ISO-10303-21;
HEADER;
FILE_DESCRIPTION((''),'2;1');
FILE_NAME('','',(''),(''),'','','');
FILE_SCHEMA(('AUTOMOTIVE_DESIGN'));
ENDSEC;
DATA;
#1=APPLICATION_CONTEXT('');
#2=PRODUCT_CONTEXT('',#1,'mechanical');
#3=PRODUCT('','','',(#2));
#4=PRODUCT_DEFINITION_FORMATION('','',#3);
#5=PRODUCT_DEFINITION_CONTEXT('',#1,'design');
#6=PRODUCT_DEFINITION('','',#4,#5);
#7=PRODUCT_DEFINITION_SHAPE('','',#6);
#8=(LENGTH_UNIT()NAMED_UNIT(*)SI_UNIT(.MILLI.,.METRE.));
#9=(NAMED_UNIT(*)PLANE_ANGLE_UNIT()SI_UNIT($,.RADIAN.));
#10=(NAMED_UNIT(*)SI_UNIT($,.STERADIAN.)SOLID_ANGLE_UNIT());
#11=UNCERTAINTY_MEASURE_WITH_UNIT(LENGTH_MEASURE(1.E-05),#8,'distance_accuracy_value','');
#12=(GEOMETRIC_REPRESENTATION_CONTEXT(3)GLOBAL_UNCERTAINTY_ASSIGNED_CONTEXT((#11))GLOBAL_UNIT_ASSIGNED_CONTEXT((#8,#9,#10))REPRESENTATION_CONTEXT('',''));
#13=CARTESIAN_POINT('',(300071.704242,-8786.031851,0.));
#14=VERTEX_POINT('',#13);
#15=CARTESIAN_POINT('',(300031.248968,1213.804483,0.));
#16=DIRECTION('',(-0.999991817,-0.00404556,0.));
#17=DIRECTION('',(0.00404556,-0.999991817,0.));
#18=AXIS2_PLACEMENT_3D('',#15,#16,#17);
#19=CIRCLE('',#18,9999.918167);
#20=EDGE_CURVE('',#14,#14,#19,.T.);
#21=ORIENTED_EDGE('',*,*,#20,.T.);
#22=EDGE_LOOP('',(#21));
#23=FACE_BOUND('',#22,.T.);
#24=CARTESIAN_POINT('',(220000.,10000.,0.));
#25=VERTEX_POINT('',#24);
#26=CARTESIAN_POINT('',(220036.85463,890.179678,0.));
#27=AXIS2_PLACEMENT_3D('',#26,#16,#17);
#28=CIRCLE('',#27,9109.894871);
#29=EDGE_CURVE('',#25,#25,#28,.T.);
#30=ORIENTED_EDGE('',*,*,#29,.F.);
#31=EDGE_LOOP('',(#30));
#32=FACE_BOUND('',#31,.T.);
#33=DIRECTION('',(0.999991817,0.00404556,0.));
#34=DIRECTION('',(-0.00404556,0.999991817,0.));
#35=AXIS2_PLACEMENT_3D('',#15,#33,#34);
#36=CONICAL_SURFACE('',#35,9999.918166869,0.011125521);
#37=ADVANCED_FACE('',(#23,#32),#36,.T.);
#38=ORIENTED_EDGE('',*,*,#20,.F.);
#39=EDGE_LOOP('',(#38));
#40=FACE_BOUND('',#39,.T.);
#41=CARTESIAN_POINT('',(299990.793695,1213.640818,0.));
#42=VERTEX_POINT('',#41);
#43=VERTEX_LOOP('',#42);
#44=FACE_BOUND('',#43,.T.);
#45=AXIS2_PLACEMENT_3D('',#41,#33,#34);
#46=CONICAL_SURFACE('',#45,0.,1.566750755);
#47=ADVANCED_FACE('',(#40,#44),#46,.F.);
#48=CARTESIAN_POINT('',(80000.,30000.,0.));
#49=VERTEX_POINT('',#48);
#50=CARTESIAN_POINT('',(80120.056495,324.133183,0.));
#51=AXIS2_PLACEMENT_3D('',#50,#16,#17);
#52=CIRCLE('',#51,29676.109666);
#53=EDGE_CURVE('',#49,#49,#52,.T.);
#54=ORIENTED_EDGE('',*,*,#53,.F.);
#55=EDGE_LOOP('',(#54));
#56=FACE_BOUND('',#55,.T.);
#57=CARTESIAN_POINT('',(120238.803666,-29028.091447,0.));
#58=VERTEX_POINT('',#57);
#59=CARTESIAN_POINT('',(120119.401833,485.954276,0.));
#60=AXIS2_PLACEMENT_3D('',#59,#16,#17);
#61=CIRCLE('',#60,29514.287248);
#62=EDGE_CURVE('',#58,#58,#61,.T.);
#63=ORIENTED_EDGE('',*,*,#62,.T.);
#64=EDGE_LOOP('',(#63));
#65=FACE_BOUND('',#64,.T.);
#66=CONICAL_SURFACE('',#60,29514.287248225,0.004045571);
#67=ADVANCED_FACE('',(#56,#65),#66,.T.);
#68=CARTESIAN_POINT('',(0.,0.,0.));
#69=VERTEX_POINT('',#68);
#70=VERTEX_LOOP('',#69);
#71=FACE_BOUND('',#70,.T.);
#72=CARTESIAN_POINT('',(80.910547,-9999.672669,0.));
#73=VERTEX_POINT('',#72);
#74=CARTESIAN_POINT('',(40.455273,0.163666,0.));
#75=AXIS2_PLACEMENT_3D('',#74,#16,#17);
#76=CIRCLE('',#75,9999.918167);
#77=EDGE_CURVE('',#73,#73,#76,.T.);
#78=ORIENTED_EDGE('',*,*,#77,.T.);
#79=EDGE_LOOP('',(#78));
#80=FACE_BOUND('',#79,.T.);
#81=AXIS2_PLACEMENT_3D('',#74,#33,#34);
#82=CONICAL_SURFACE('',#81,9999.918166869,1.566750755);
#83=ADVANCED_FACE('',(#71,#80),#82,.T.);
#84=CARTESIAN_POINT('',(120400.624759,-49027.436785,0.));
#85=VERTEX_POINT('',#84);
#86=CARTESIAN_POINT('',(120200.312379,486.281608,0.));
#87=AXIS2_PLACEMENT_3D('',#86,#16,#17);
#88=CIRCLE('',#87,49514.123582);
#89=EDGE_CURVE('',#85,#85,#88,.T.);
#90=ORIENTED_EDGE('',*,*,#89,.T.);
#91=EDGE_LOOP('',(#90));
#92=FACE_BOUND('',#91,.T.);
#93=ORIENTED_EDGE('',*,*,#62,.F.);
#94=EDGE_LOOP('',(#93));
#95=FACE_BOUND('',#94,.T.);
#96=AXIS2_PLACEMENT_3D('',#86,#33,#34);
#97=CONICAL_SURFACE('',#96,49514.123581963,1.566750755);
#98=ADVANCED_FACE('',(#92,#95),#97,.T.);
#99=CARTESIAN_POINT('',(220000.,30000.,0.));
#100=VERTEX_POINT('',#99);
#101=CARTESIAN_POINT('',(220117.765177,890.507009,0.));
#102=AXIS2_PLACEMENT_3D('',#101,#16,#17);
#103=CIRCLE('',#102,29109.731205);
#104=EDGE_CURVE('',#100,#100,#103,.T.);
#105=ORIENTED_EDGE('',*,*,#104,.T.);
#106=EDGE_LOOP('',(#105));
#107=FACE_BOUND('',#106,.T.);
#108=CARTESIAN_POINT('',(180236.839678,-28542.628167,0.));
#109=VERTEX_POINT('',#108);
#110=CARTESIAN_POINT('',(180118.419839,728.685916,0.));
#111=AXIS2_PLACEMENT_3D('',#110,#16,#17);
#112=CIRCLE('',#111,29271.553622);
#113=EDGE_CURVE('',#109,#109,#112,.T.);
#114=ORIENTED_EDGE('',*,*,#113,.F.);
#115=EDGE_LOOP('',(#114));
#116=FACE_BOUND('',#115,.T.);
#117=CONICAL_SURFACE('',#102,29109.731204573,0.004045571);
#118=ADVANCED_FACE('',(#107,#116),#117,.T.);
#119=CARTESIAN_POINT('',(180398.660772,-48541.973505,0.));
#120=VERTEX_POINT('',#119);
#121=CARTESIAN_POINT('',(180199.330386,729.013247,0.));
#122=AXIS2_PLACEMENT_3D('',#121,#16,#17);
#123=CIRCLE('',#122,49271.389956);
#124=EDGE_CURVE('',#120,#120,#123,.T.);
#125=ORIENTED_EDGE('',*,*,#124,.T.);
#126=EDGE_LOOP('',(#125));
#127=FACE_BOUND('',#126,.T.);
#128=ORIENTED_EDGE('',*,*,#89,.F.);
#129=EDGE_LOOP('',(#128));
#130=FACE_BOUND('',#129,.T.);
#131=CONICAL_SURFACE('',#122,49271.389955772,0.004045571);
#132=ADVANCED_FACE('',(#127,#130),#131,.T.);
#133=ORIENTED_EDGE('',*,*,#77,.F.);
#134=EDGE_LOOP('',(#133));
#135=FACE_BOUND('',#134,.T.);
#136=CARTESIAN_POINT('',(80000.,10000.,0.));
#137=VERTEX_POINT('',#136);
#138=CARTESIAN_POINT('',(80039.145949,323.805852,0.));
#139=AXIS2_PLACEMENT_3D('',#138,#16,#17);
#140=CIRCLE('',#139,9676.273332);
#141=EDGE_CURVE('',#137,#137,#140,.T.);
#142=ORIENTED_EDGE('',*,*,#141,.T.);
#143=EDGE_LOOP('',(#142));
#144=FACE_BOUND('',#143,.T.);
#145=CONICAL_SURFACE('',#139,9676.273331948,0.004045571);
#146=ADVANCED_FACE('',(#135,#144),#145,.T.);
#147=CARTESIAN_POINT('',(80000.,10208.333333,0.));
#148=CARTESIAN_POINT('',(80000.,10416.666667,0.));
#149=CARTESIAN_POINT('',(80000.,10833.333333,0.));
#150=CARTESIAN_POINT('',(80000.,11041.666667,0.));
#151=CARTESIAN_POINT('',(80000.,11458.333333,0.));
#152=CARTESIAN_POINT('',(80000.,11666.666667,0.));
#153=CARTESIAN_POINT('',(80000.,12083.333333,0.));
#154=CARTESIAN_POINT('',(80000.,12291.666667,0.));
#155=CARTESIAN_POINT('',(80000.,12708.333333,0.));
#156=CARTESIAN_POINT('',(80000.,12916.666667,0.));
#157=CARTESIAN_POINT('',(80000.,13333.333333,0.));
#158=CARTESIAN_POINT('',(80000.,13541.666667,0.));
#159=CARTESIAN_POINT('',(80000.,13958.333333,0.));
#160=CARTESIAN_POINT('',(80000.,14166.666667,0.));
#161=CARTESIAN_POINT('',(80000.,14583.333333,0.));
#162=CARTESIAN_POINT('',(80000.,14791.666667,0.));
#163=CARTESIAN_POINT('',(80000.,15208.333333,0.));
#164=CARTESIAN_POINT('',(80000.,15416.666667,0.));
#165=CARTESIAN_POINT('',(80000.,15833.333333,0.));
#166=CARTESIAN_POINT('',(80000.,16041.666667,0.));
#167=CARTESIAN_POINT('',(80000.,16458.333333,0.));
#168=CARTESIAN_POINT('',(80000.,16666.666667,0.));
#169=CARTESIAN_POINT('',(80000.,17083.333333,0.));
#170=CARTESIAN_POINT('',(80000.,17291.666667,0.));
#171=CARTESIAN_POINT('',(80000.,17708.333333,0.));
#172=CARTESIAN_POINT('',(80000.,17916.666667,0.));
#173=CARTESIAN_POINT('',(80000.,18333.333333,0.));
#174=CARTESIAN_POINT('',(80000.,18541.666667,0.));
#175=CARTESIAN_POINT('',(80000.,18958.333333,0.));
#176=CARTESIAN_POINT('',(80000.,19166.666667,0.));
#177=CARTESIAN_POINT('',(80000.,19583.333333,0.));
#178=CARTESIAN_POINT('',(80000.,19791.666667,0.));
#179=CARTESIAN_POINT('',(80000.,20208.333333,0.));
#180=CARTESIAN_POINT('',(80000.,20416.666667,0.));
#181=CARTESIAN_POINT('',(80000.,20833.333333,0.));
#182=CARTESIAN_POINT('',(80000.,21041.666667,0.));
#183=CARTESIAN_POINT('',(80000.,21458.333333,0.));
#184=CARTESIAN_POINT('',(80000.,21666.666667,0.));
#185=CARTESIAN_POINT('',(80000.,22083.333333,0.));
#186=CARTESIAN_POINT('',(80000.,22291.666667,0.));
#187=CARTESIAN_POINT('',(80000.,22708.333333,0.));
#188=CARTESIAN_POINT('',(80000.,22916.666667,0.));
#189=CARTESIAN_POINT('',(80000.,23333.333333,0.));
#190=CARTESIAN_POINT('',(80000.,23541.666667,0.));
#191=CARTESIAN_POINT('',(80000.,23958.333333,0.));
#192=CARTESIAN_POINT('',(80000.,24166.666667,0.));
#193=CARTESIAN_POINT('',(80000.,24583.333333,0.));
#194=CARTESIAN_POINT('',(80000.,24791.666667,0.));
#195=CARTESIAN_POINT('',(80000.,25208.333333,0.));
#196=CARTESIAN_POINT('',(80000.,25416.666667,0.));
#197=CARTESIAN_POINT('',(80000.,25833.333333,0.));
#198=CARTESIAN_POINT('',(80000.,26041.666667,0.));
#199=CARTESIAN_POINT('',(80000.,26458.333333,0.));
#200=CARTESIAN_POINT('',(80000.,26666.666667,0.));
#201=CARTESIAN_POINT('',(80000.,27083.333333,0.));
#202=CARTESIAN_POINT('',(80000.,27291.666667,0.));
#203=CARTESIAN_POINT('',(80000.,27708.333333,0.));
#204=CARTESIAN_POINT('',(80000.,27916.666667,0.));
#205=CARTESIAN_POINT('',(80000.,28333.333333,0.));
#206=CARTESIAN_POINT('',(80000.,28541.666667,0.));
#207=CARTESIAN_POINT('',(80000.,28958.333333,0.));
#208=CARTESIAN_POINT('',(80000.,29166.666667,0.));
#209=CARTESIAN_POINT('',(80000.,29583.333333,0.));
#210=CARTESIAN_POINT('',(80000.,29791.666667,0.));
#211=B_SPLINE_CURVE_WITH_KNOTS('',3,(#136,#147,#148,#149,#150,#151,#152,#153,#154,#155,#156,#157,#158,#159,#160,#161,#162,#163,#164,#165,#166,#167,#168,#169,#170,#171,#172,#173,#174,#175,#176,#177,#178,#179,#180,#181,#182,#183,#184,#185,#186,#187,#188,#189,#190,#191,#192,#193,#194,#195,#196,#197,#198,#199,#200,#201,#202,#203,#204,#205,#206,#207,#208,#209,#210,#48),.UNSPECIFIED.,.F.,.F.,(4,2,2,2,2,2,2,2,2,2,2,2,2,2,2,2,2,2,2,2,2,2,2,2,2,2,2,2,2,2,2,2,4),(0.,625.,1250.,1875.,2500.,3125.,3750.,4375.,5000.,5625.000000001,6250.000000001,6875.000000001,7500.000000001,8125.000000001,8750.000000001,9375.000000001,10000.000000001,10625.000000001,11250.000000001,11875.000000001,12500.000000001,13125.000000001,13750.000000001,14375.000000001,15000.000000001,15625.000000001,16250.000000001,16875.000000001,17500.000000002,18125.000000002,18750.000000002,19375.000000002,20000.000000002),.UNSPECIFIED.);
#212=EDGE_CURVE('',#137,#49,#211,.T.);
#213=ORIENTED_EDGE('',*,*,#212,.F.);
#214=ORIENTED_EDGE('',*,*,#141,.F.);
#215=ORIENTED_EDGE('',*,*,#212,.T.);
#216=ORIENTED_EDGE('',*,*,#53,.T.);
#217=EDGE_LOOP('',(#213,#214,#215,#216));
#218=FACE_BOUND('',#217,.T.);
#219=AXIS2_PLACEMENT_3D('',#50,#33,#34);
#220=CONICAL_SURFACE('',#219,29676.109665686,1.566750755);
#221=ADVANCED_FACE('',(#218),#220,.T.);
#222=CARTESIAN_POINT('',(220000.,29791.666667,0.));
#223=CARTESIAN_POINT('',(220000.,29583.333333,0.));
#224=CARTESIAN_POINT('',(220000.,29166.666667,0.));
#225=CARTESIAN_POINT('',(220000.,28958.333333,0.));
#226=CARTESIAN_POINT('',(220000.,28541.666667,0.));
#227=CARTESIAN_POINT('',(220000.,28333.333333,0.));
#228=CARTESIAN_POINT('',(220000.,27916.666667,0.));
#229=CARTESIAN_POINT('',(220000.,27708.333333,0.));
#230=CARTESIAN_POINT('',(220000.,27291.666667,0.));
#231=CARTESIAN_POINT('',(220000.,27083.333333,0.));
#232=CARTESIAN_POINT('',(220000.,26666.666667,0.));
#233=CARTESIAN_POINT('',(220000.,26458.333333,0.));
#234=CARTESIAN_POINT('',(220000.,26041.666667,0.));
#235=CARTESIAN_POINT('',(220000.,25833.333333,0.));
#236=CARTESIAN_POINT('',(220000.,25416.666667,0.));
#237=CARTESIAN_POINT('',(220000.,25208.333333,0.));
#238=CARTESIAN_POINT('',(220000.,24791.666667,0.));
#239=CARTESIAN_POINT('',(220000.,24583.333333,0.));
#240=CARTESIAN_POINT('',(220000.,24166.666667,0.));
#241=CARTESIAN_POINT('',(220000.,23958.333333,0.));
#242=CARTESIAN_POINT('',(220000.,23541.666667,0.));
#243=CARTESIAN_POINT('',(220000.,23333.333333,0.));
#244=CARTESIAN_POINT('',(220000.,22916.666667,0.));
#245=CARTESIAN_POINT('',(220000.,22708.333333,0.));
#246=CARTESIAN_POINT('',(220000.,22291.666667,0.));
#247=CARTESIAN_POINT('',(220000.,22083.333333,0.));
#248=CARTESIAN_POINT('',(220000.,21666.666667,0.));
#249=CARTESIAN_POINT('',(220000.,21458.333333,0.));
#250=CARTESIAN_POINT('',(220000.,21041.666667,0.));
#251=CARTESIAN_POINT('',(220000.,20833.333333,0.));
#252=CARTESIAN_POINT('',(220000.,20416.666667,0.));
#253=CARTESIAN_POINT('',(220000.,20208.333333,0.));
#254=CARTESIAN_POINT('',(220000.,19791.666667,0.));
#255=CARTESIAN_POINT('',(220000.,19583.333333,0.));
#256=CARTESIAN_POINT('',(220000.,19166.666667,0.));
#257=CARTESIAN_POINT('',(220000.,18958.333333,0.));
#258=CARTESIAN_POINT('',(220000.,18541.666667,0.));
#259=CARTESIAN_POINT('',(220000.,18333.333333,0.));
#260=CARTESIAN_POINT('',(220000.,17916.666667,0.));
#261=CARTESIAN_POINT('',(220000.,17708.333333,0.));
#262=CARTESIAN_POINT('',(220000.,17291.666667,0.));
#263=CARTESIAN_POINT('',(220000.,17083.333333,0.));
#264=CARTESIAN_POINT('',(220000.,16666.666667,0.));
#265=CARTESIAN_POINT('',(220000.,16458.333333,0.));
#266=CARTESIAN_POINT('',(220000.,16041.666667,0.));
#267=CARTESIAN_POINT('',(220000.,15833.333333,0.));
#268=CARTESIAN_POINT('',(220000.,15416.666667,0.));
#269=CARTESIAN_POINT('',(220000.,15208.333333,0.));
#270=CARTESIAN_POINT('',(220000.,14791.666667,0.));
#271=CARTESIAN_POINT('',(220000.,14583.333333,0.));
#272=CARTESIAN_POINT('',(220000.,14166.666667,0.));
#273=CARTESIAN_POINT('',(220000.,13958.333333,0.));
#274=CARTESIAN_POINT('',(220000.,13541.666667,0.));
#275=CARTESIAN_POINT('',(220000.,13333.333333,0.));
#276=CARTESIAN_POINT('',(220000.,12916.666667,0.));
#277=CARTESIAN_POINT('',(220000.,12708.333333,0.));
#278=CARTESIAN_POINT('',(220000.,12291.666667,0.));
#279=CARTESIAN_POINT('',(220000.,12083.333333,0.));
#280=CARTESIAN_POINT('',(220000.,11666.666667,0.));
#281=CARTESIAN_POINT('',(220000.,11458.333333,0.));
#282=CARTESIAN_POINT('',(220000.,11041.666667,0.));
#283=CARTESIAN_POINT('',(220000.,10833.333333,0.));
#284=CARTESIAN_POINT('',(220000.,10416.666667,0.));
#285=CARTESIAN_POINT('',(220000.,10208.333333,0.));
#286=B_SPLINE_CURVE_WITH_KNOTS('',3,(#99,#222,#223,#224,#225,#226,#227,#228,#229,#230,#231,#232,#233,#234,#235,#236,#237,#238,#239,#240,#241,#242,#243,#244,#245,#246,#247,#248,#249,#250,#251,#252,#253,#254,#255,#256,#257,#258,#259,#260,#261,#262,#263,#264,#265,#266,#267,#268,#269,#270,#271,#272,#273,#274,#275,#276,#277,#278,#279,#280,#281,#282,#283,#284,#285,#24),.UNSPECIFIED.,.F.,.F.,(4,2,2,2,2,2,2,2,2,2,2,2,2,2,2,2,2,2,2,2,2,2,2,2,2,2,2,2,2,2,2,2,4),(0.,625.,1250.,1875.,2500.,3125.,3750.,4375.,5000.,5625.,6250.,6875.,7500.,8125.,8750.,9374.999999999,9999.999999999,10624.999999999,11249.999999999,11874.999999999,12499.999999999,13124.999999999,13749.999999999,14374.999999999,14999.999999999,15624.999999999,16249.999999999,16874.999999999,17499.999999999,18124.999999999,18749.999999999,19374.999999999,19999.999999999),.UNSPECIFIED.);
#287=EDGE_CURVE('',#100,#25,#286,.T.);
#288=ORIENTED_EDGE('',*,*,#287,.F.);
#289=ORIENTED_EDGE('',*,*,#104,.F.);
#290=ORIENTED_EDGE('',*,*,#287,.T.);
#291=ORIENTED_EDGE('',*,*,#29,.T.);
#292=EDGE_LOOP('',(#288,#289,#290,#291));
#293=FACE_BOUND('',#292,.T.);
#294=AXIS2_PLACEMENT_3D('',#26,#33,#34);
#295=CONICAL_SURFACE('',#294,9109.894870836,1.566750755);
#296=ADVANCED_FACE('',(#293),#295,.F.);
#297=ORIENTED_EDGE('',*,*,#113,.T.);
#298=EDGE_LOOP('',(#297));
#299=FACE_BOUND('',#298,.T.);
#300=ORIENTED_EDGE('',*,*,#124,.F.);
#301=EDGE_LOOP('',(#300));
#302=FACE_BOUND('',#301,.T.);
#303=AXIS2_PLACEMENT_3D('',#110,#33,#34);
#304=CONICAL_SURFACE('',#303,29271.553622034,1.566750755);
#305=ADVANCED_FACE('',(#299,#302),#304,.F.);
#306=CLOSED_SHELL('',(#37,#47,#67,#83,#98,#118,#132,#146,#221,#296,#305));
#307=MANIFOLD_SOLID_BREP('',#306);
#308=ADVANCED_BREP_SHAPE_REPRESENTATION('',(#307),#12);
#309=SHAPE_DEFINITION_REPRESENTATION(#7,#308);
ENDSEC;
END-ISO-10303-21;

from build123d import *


with BuildPart() as part:
    # Sketch1 → Revolve1 (revolve)
    with BuildSketch(Plane.XY):
        Polygon((0, 0), (0, 10000), (80000, 10000), (80000, 30000), (120000, 30000), (120000, 50000), (180000, 50000), (180000, 30000), (220000, 30000), (220000, 10000), (299990.793695057, 11213.640817894), (299990.793695057, 1213.640817894), align=None)
    revolve(axis=Axis((0, 0, 0), (0.999991816686894, 0.0040455604365155435, 0)))


solid = part.part
